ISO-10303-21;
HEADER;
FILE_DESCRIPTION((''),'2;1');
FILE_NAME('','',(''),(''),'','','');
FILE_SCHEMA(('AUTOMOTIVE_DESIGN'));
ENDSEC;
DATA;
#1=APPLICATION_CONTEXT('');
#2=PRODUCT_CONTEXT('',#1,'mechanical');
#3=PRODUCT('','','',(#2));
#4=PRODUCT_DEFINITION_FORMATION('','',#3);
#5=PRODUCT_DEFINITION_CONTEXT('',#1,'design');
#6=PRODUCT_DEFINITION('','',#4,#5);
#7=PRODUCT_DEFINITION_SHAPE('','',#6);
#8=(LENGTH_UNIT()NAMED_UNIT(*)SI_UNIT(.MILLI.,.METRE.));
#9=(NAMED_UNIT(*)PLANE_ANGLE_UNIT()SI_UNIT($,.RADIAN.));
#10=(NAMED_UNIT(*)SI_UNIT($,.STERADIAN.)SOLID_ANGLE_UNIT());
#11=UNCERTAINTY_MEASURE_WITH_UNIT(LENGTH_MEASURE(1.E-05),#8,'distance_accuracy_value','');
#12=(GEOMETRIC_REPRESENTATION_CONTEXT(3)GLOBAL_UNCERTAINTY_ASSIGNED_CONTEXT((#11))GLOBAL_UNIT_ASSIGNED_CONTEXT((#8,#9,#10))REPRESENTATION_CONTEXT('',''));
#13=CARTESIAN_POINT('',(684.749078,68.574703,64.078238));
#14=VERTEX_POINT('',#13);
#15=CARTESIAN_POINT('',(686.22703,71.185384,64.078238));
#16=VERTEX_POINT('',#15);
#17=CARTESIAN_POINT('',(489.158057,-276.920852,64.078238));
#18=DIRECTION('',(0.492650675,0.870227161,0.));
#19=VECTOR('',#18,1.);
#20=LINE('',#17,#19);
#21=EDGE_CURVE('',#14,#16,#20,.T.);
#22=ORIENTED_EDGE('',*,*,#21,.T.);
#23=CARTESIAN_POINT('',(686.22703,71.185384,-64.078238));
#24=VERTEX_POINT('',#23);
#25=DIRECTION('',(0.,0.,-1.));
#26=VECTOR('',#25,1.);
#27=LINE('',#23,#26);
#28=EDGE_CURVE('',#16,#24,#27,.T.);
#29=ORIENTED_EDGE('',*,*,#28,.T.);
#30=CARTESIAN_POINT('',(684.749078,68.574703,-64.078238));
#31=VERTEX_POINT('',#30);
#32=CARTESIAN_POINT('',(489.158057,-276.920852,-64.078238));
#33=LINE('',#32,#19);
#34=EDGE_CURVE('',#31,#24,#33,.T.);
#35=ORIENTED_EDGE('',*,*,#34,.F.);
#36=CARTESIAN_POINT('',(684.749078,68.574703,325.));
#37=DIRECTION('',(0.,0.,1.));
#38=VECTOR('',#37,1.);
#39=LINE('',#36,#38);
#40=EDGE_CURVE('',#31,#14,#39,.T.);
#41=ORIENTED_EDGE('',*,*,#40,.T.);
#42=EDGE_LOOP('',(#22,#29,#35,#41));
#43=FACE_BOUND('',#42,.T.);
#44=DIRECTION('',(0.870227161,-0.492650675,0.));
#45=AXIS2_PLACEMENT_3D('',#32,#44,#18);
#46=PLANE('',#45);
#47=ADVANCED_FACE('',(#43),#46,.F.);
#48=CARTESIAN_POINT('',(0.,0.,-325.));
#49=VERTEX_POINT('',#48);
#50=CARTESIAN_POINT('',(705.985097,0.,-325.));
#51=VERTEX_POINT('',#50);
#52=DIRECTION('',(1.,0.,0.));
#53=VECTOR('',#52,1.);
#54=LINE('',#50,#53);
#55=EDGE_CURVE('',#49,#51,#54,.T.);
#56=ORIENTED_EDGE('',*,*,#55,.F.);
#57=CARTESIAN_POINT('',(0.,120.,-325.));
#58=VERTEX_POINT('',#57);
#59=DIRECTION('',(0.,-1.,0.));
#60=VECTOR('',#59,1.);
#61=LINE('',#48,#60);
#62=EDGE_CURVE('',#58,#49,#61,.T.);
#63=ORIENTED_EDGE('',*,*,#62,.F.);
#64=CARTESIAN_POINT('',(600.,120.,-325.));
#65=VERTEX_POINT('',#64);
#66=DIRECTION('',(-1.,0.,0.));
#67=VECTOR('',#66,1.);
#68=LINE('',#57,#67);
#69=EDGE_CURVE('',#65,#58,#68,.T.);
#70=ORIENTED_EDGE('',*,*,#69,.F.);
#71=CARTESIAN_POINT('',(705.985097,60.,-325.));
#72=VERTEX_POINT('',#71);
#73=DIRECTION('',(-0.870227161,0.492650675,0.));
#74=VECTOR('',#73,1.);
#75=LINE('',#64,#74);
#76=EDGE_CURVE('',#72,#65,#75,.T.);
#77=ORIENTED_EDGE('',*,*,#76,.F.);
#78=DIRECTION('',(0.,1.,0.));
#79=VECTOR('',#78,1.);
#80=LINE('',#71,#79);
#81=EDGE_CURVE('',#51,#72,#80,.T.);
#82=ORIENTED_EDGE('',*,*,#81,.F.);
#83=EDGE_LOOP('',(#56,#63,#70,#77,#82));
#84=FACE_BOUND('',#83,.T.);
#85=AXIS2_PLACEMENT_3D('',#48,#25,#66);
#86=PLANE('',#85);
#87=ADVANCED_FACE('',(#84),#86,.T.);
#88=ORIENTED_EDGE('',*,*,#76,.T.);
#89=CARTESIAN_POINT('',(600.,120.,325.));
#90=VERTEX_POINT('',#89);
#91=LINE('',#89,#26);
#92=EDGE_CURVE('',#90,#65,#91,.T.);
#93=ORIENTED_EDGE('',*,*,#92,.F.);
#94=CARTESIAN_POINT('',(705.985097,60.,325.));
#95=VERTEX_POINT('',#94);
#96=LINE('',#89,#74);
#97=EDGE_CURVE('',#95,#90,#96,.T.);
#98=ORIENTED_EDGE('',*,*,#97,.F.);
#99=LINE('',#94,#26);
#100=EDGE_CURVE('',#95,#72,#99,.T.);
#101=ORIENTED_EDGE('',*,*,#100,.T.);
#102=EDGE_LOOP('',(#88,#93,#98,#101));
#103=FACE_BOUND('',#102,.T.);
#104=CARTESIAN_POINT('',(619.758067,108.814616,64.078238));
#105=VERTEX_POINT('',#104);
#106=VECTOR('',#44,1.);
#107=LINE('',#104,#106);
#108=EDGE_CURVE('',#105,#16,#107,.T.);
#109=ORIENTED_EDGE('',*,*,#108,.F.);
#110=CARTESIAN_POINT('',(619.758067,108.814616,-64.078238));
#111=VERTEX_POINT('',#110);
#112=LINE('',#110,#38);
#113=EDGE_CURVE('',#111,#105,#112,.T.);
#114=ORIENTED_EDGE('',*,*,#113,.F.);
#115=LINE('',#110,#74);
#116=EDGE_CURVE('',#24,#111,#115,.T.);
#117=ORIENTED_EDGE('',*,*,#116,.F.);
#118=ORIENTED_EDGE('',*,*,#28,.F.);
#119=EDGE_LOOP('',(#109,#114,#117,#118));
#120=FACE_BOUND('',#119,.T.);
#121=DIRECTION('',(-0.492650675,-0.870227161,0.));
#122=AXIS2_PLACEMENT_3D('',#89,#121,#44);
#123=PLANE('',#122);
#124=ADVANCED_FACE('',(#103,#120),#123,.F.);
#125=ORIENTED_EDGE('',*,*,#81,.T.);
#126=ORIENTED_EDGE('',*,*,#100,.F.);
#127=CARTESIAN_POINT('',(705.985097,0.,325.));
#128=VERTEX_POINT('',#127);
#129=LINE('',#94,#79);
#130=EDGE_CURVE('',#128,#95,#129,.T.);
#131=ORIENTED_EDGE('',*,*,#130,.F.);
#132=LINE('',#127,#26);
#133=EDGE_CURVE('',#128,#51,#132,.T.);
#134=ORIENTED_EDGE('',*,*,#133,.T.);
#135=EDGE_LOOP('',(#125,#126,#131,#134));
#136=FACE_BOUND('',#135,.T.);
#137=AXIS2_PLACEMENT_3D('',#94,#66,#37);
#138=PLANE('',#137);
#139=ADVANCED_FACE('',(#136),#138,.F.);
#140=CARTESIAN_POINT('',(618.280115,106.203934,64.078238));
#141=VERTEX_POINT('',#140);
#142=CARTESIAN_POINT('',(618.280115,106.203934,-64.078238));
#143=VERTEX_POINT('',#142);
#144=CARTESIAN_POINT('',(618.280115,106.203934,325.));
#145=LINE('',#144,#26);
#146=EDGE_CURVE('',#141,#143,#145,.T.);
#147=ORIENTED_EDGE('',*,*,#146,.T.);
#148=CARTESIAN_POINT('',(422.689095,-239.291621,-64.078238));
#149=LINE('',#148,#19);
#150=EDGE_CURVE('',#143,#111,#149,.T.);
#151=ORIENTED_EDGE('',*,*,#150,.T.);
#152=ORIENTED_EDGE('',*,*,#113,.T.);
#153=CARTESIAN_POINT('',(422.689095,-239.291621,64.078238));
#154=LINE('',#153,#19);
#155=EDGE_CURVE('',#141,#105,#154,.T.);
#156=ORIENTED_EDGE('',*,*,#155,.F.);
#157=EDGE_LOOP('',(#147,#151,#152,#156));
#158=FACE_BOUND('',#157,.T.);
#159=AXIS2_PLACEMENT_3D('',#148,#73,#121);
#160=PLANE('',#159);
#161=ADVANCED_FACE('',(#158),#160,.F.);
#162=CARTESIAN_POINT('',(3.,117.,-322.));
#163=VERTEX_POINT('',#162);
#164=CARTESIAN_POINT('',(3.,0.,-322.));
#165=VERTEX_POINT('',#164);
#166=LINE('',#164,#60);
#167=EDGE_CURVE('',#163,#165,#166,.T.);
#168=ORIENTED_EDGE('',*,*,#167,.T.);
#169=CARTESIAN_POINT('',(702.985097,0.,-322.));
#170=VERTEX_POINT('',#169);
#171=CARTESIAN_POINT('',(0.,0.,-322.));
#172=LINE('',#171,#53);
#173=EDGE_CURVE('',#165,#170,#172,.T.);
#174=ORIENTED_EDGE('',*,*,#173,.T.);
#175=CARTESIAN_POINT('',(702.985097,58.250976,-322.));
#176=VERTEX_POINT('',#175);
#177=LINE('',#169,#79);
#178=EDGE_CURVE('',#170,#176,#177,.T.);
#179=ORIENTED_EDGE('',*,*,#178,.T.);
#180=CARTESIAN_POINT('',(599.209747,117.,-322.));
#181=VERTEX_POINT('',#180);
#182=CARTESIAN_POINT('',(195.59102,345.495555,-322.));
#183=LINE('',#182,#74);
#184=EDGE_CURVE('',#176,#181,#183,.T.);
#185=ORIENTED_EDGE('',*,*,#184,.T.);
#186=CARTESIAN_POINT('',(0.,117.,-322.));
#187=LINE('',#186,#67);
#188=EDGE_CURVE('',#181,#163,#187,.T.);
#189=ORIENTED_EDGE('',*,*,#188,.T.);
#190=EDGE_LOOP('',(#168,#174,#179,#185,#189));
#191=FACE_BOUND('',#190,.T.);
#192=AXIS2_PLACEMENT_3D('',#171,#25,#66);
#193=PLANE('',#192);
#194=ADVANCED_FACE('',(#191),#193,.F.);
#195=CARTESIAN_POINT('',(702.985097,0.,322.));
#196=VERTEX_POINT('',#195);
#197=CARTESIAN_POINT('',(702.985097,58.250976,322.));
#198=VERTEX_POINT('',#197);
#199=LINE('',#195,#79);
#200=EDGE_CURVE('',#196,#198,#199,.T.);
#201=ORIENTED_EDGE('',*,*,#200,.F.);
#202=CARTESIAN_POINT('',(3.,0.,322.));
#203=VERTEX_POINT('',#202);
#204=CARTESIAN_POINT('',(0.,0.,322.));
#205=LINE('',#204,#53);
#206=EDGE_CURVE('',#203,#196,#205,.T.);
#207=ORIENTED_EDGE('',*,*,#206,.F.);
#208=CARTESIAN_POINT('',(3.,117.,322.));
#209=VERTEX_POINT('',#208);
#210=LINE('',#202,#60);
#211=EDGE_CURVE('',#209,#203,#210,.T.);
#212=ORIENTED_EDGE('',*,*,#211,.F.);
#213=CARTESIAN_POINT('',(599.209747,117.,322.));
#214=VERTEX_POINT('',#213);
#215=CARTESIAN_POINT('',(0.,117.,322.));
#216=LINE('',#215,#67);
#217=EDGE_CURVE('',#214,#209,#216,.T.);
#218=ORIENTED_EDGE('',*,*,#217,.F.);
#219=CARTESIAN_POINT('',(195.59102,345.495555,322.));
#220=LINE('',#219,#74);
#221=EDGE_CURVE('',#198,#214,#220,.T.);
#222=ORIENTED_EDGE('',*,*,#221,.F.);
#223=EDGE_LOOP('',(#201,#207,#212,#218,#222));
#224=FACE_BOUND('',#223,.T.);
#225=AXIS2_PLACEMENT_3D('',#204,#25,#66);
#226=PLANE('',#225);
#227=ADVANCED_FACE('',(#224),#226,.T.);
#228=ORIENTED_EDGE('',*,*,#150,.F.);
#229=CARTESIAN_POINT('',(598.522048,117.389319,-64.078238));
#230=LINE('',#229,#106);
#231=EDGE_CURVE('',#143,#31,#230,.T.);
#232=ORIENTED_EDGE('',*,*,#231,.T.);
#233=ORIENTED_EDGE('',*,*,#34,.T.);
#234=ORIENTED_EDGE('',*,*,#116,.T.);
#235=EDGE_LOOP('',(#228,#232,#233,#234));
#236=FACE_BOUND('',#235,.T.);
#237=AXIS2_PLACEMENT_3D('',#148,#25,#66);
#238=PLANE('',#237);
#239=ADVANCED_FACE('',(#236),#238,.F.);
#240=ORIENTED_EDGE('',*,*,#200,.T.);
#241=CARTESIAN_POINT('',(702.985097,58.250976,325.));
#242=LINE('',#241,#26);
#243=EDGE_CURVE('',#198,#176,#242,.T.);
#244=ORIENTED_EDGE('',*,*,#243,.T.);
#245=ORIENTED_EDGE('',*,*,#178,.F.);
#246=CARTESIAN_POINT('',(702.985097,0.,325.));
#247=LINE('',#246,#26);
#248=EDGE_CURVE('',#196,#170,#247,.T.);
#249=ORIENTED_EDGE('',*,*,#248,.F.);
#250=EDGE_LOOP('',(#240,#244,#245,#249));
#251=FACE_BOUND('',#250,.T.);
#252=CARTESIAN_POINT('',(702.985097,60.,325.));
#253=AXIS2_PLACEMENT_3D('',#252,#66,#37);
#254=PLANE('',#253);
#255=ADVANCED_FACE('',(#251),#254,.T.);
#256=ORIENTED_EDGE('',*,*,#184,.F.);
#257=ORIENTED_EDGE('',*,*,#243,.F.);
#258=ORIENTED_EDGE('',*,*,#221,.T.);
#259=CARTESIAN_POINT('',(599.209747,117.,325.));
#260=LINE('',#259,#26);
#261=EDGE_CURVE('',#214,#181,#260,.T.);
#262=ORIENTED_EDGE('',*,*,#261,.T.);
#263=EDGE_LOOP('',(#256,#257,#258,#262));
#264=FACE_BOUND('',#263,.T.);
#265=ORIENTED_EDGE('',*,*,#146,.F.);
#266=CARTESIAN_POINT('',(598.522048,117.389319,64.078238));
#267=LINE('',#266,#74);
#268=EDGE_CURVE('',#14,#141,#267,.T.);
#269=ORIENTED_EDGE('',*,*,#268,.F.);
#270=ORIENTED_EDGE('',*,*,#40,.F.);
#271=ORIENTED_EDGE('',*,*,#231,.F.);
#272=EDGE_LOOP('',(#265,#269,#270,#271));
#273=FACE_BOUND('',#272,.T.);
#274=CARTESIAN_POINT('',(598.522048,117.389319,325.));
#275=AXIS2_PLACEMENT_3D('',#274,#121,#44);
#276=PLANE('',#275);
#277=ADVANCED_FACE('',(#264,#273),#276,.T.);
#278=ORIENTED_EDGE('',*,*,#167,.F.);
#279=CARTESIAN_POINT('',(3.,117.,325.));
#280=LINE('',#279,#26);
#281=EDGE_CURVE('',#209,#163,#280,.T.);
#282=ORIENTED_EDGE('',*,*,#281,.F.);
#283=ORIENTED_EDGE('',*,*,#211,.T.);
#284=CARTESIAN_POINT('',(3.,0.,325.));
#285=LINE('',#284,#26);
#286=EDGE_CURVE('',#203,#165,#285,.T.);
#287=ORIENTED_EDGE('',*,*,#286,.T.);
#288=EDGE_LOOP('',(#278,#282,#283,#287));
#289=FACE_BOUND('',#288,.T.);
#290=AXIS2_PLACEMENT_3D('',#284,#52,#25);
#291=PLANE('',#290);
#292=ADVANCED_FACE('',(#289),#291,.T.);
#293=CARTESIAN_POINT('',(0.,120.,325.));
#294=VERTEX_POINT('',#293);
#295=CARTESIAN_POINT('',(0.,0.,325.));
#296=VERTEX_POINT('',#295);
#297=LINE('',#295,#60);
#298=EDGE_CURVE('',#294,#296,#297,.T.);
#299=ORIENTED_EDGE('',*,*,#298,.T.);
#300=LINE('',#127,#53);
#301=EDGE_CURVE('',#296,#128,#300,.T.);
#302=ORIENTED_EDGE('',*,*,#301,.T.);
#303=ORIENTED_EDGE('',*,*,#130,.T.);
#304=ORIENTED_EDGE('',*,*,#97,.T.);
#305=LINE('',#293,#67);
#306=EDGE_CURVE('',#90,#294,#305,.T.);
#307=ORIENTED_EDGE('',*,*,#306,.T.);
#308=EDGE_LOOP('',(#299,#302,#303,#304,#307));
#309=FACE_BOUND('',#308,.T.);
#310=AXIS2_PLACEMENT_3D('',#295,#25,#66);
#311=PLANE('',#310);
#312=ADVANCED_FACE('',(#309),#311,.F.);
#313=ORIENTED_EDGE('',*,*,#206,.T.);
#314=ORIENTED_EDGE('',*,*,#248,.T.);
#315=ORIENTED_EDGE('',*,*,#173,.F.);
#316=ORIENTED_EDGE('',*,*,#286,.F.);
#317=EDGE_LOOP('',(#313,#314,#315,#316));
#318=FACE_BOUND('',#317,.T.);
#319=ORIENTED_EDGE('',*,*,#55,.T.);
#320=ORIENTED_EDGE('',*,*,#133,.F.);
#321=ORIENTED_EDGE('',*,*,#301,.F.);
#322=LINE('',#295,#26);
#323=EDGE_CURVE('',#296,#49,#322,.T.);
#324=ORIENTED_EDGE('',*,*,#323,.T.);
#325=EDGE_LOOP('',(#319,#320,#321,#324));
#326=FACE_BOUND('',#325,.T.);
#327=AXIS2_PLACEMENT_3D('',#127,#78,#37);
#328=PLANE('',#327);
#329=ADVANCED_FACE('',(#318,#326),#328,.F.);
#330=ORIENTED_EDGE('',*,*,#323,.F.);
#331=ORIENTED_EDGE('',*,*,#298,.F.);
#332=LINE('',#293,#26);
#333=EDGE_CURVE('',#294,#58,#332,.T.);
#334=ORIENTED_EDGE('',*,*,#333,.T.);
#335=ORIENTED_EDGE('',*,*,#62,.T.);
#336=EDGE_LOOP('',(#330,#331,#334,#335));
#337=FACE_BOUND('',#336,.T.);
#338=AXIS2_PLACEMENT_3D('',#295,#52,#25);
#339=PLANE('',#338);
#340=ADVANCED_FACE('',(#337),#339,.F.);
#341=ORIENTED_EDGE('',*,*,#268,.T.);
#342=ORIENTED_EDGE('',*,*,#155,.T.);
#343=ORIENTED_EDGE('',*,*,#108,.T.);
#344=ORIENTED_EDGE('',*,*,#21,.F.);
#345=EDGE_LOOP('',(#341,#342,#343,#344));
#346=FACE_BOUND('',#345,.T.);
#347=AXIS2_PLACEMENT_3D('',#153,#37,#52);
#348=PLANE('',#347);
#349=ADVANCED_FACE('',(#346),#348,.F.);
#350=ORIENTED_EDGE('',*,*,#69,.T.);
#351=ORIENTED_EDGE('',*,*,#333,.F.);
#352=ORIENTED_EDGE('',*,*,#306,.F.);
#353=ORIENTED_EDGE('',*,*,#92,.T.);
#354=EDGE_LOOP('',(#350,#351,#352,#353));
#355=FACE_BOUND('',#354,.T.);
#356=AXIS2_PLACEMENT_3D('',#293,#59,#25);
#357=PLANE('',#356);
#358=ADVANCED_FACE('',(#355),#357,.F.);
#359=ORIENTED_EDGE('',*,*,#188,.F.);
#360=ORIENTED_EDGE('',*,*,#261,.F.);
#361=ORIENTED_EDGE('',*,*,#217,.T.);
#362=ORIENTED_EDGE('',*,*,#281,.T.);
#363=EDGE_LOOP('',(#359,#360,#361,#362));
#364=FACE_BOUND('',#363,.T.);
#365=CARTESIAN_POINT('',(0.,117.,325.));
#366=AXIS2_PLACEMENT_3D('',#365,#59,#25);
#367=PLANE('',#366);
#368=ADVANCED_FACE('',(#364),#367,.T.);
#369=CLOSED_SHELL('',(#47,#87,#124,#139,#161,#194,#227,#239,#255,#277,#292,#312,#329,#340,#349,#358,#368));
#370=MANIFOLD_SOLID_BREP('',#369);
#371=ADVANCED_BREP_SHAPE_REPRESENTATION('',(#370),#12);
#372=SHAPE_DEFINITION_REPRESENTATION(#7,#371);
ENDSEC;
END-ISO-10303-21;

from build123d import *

# Parameters (mm, degrees)
SALIENTE_EXTRUIR1_DEPTH = 325
VACIADO1_T              = -3
CROQUIS2_W              = 76.381162613
CROQUIS2_H              = 128.156475552
CORTAR_EXTRUIR1_DEPTH   = 697.992520796


with BuildPart() as part:
    # Croquis1 → Saliente-Extruir1 (new, symmetric)
    with BuildSketch(Plane.XY):
        Polygon((0, 0), (0, 120), (600, 120), (705.985097206, 60), (705.985097206, 0), align=None)
    extrude(amount=SALIENTE_EXTRUIR1_DEPTH, both=True)

    # Vaciado1
    vaciado1_openings = [part.faces().sort_by_distance(p)[0] for p in [
        (352.992548603, 0, 0),
    ]]
    offset(amount=VACIADO1_T, openings=vaciado1_openings, kind=Kind.INTERSECTION)

    # Croquis2 → Cortar-Extruir1 (cut, through all)
    with BuildSketch(Plane(origin=(197.068972386, 348.106236577, 0), x_dir=(0.8702271613704161, -0.4926506750357577, 0), z_dir=(0.4926506750357577, 0.8702271613704161, 0))):
        with Locations((523.913291213, 0)):
            Rectangle(CROQUIS2_W, CROQUIS2_H)
    extrude(amount=-CORTAR_EXTRUIR1_DEPTH, mode=Mode.SUBTRACT)


solid = part.part
